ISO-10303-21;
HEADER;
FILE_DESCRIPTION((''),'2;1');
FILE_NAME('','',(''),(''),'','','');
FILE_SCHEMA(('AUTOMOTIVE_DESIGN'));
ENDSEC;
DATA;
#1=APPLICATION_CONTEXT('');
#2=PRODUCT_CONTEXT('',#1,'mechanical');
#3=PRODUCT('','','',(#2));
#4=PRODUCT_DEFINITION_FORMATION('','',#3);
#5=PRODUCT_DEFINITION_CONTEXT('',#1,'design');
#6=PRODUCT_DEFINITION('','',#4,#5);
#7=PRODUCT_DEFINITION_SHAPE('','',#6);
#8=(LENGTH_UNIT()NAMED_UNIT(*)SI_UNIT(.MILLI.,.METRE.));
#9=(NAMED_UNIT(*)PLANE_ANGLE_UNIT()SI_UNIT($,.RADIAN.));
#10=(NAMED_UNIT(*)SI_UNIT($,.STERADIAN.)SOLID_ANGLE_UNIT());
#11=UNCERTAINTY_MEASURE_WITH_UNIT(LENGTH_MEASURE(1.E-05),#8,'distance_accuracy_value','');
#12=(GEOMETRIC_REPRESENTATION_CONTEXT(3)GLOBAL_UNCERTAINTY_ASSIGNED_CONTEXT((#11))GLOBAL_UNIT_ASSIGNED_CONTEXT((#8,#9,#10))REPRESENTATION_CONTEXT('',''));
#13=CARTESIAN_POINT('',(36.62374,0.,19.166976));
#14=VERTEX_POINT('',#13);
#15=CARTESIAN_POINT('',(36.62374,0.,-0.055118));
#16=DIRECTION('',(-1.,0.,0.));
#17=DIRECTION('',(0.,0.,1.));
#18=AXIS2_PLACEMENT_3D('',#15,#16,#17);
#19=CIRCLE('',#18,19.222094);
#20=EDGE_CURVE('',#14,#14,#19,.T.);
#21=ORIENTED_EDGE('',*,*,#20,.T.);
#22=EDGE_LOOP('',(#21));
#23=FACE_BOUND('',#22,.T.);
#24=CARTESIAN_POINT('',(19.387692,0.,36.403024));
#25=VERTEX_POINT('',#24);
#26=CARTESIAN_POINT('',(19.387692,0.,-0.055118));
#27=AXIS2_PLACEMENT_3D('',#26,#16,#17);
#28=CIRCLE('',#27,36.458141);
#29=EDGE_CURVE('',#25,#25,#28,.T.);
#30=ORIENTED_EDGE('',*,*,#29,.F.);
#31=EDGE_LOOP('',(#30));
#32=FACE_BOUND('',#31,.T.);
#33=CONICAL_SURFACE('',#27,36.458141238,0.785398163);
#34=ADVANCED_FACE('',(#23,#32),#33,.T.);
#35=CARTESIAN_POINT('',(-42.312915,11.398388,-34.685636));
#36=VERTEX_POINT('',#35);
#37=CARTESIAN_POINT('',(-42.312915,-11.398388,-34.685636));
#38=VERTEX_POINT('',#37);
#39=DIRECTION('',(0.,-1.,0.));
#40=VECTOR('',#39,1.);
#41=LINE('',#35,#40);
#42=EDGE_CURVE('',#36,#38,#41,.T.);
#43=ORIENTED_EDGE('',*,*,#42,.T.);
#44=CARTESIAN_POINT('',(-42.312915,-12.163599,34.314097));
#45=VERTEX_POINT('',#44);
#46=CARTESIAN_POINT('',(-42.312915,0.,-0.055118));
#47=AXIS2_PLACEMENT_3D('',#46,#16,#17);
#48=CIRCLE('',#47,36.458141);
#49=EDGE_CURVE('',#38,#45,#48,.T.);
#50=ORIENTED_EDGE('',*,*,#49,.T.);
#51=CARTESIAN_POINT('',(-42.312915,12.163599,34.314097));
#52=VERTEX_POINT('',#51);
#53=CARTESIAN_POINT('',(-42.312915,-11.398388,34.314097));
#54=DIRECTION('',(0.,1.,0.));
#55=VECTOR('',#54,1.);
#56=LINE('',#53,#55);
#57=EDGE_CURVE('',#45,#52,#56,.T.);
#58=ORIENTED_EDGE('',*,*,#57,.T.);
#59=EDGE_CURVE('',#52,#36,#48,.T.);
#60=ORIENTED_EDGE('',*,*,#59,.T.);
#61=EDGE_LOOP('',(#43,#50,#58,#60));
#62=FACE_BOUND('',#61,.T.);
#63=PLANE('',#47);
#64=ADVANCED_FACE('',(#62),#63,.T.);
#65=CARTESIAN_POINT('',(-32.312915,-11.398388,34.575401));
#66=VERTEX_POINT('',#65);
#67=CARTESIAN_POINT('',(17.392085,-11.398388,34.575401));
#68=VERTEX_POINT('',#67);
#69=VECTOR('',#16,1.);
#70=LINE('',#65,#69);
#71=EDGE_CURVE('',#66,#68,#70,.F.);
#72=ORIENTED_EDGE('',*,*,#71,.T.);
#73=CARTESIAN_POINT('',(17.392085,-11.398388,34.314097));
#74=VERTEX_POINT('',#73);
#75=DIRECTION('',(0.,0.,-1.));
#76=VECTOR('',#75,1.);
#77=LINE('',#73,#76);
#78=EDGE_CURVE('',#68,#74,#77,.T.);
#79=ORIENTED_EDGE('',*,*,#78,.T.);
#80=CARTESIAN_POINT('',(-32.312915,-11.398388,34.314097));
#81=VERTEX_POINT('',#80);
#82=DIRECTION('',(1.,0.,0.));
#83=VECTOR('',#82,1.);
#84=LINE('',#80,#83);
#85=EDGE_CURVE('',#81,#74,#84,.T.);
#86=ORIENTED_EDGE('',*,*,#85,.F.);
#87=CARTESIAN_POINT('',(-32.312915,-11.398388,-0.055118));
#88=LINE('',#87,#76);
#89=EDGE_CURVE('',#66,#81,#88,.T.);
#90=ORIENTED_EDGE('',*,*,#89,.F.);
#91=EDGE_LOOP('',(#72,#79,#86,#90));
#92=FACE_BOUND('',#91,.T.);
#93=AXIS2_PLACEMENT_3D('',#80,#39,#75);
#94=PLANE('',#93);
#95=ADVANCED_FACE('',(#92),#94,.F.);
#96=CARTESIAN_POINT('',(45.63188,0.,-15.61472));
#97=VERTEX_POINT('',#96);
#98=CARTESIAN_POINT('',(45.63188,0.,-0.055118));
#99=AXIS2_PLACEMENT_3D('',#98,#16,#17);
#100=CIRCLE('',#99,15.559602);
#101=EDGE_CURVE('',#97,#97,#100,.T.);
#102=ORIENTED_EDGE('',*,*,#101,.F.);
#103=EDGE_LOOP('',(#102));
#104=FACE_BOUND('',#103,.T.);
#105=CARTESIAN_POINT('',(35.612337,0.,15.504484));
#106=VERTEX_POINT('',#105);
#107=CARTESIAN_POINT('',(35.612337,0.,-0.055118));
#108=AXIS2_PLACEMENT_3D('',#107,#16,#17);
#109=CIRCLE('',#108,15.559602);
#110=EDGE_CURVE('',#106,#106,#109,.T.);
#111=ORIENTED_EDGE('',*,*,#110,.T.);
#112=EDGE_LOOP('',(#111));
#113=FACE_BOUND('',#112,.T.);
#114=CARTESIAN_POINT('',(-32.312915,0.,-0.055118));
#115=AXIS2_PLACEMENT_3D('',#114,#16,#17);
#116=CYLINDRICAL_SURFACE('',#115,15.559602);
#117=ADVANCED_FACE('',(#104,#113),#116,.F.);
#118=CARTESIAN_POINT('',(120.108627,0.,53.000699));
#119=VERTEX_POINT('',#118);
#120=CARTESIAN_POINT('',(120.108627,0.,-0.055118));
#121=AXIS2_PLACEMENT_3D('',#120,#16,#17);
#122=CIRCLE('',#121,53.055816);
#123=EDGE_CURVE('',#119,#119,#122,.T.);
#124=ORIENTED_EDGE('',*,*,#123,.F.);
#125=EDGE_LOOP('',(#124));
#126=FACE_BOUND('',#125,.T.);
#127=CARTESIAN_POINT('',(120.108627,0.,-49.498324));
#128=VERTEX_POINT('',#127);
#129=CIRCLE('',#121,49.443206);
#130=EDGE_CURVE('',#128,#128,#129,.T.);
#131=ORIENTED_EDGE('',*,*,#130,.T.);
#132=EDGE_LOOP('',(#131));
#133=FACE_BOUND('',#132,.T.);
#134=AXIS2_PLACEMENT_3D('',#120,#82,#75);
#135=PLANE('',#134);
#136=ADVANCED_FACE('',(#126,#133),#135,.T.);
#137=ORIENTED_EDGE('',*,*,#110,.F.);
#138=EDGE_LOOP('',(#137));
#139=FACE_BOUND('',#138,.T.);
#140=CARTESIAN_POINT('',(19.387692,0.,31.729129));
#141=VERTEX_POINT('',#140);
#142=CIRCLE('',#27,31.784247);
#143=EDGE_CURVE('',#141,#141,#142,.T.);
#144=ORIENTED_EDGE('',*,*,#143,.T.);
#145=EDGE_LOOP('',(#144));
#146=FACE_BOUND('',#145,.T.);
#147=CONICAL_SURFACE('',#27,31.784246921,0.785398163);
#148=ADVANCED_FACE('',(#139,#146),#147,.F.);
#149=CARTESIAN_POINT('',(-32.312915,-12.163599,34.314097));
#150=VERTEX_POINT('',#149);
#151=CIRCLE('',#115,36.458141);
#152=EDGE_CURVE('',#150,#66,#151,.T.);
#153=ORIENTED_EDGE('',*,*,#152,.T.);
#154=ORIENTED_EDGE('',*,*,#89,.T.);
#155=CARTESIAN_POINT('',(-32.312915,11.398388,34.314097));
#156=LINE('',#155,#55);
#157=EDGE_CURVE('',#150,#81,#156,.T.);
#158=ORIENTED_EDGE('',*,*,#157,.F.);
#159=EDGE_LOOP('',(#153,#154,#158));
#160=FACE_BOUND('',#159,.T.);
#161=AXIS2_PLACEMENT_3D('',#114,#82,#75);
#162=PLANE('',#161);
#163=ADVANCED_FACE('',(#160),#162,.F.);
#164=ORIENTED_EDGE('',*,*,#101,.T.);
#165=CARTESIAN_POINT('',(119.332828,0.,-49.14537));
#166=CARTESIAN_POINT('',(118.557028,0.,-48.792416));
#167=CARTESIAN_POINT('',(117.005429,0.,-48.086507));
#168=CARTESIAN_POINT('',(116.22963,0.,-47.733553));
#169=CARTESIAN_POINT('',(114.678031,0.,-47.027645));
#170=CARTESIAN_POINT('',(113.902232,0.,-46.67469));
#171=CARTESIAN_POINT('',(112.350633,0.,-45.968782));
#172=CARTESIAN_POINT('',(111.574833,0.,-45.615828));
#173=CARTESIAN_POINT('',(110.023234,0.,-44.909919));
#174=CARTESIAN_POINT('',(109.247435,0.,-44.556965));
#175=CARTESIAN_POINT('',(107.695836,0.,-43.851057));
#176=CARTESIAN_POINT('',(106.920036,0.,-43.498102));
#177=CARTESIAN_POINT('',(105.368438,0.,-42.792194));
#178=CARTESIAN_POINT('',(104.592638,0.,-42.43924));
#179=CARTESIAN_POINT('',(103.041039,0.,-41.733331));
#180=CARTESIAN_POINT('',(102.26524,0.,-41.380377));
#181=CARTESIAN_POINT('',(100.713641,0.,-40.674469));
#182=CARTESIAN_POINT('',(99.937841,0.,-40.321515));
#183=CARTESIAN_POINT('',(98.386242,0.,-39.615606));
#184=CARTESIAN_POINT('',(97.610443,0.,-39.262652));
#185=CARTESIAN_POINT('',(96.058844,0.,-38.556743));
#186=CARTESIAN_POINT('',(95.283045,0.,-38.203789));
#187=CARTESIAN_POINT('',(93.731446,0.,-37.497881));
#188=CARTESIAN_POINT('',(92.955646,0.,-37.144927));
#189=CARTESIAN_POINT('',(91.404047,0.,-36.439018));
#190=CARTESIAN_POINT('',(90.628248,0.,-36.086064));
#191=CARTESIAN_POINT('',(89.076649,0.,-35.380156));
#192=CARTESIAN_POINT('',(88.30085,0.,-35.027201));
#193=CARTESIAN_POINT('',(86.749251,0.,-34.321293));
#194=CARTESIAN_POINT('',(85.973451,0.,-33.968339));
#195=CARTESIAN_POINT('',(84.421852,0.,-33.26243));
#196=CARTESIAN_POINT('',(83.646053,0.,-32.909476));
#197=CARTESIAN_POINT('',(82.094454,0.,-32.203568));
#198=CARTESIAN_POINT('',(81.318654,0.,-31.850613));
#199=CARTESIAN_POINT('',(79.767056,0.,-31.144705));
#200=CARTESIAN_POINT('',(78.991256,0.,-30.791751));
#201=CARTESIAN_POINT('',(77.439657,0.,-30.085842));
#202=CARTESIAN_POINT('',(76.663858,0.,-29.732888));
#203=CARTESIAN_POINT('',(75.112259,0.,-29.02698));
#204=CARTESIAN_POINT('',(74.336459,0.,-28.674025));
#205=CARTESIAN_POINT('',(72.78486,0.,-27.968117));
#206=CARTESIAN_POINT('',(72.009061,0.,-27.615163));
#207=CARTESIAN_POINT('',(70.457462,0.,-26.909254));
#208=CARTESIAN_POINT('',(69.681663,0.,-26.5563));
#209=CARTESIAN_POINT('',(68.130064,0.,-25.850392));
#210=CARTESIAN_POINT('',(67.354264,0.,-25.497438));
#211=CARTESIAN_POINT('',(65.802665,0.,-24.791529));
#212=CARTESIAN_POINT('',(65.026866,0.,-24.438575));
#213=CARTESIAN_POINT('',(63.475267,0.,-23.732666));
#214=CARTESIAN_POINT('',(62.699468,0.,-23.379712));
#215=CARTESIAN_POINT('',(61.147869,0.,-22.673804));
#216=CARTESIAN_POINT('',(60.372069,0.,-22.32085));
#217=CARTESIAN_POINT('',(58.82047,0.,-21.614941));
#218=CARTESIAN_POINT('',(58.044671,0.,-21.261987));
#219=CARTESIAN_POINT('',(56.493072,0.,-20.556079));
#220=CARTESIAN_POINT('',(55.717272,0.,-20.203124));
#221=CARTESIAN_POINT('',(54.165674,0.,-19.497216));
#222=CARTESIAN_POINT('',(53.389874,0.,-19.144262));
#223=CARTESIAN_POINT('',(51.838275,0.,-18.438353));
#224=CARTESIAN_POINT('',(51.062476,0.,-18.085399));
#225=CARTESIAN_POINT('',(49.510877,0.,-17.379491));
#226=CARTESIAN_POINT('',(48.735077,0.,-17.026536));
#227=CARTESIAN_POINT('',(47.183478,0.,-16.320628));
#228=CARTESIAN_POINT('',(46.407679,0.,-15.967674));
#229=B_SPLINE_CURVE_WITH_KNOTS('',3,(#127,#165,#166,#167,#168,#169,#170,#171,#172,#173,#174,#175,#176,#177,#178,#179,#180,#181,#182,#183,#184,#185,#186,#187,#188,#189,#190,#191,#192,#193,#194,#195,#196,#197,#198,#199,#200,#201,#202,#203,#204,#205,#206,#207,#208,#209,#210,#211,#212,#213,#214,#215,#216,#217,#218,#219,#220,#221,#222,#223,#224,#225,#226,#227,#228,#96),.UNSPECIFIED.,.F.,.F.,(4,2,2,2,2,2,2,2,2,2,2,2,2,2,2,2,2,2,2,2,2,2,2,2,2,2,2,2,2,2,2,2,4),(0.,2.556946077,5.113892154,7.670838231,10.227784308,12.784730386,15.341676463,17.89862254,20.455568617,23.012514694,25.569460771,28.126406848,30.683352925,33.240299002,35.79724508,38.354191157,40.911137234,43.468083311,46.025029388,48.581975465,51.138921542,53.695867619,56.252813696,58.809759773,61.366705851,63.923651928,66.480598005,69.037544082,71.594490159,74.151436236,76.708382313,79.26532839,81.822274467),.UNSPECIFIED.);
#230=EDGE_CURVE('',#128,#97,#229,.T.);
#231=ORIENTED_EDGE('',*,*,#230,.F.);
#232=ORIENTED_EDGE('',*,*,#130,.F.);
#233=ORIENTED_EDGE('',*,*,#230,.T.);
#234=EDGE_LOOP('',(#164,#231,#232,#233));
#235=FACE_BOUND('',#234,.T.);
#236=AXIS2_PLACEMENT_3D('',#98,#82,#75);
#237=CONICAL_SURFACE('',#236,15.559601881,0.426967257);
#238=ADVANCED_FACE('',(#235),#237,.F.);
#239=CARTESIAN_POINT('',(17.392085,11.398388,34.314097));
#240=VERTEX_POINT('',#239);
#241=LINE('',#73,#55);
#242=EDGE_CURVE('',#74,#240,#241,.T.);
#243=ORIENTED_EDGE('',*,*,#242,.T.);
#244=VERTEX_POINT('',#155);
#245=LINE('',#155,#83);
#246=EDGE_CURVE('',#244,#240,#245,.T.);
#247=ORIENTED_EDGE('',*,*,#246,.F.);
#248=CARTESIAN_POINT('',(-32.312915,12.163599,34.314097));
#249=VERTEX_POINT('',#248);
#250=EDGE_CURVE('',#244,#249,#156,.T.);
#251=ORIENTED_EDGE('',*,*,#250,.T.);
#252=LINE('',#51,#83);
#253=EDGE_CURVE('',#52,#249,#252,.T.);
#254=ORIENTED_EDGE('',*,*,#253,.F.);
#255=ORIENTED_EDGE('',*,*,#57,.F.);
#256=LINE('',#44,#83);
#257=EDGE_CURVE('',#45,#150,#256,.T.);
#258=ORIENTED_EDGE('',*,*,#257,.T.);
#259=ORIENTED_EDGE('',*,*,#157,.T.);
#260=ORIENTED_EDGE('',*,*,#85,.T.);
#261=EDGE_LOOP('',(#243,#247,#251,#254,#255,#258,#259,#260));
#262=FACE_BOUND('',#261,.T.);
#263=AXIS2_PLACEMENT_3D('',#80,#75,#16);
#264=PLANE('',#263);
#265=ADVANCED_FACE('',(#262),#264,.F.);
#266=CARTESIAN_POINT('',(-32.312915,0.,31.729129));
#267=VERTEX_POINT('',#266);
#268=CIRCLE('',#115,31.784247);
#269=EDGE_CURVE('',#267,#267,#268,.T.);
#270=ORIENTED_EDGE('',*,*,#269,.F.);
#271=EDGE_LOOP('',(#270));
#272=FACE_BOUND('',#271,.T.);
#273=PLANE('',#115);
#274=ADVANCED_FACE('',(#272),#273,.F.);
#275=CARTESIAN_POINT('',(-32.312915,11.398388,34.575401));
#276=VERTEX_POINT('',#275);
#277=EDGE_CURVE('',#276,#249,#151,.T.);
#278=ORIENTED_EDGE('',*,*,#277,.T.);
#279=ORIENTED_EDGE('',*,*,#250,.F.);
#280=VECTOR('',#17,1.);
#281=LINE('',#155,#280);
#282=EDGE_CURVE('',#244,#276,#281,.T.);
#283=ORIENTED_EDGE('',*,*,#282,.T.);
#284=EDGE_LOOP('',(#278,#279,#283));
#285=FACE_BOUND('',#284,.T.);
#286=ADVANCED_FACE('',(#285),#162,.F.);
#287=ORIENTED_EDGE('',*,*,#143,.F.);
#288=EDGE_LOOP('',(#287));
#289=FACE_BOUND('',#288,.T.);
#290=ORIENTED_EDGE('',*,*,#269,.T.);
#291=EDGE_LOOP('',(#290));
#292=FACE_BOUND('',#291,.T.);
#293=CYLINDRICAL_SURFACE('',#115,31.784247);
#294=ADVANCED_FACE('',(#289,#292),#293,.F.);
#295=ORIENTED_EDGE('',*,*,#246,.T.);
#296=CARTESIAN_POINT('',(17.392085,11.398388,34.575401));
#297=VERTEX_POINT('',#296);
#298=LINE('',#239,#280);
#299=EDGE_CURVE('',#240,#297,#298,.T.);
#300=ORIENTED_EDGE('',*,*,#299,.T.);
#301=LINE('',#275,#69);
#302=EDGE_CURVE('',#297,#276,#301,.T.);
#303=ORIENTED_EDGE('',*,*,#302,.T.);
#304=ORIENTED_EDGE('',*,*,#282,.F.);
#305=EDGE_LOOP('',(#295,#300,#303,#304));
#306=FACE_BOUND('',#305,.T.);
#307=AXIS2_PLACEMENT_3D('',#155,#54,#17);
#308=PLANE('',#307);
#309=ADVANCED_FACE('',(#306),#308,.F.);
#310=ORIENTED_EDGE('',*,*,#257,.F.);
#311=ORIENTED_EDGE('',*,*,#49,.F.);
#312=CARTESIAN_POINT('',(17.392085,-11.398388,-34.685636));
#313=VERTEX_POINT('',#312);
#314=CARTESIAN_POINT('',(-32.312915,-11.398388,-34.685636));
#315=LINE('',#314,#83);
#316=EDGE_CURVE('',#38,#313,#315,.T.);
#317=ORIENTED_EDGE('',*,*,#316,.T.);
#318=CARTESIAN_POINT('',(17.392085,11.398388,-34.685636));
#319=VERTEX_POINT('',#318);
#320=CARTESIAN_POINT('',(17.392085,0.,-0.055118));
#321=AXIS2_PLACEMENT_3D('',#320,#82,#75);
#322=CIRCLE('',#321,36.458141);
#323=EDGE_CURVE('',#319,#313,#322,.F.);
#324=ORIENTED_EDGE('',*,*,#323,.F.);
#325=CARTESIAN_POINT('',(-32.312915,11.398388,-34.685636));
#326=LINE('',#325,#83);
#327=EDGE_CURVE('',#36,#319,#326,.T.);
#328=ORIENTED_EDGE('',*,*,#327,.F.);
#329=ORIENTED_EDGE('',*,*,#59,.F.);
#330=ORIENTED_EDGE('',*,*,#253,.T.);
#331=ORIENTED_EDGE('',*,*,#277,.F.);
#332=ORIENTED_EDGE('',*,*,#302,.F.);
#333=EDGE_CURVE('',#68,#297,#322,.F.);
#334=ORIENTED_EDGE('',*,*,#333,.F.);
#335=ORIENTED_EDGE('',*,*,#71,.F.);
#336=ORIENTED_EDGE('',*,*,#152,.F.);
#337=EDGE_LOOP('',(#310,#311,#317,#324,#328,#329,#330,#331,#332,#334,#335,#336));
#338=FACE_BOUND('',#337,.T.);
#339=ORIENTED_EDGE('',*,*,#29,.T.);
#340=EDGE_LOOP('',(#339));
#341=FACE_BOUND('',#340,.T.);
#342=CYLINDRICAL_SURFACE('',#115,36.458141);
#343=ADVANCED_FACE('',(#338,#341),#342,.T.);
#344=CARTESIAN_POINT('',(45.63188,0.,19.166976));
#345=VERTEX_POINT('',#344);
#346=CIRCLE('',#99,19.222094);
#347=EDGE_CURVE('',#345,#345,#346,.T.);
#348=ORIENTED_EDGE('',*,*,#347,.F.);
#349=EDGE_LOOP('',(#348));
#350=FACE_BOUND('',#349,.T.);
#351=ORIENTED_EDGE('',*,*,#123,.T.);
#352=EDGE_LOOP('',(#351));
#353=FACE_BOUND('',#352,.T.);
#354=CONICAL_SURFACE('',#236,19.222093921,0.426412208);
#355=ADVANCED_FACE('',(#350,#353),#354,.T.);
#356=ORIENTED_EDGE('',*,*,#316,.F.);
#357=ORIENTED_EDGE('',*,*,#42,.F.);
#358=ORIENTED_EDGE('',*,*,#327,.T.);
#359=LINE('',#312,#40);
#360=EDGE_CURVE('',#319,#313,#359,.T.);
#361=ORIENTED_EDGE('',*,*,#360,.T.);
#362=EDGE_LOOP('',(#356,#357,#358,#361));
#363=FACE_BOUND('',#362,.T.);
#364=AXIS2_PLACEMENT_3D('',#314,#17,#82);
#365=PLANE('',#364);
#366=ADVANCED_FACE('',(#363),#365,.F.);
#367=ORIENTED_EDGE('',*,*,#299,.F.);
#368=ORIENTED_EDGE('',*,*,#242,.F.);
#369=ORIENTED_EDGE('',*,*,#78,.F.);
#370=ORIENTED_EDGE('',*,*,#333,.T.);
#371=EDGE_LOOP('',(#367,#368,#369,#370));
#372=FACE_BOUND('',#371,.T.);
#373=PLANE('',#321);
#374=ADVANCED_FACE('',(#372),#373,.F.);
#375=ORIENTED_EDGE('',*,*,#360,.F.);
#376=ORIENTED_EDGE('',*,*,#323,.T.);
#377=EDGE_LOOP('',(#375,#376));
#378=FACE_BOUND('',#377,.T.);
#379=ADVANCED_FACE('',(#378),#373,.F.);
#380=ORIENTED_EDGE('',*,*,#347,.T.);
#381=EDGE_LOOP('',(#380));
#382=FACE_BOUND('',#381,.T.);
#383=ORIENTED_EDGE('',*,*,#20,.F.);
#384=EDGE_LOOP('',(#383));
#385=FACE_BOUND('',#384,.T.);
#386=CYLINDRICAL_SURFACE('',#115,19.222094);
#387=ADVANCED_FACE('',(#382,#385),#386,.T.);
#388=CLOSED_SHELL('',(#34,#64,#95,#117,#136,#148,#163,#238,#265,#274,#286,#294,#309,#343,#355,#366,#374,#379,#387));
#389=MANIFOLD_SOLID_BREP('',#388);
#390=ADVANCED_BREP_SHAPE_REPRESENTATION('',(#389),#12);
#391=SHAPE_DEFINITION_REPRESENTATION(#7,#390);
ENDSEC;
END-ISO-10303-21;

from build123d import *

# Parameters (mm, degrees)
SCALE1_SCALE        = 3
SKETCH5_W           = 6.092075514
SKETCH5_H           = 37.994626104
SKETCH5_W_2         = 6.963088047
CUT_EXTRUDE1_DEPTH  = 213.004502745
SCALE2_SCALE        = 0.6
BOSS_EXTRUDE1_DEPTH = 10


with BuildPart() as part:
    # Sketch1 → Revolve1 (revolve)
    with BuildSketch(Plane.XY, mode=Mode.PRIVATE) as revolve1_sk:
        Polygon((84.678634707, 29.475453574), (84.678634707, 27.468448008), (43.302663782, 8.644223267), (37.73625143, 8.644223267), (28.722559742, 17.657914956), (0, 17.657914956), (0, 20.25452291), (28.722559742, 20.25452291), (38.298141584, 10.678941067), (43.302663782, 10.678941067), align=None)
    revolve(revolve1_sk.sketch.rotate(Axis((0, 0, 0), (1, 0, 0)), 90), axis=Axis((0, 0, 0), (1, 0, 0)))


with BuildPart() as part_1:
    # Scale1: scaled about (41.420833763, 0, 0)
    add(part.part.scale(SCALE1_SCALE).moved(Location((-82.841667526, 0, 0))))

    # Sketch5 → Cut-Extrude1 (cut, through all)
    with BuildSketch(Plane(origin=(0, 0, 0), x_dir=(0, 0, -1), z_dir=(1, 0, 0))):
        with Locations((60.76356873, 0)):
            Rectangle(SKETCH5_W, SKETCH5_H)
        with Locations((-60.763568731, 0)):
            Rectangle(SKETCH5_W_2, SKETCH5_H)
    extrude(amount=-CUT_EXTRUDE1_DEPTH, mode=Mode.SUBTRACT)


with BuildPart() as part_2:
    # Scale2: scaled about (43.48021303, 0, -0.13779422)
    add(part_1.part.scale(SCALE2_SCALE).moved(Location((17.392085212, 0, -0.055117688))))

    # Sketch6 → Boss-Extrude1 (add)
    with BuildSketch(Plane.ZY.offset(32.312915304)):
        with BuildLine():
            Line((-34.685636272, 11.398387831), (-34.685636272, -11.398387831))
            ThreePointArc((-34.685636272, -11.398387831), (-0.459415669, -36.455899464), (34.314097136, -12.163598765))
            Line((34.314097136, -12.163598765), (34.314097136, -11.398387831))
            Line((34.314097136, -11.398387831), (34.314097136, 11.398387831))
            Line((34.314097136, 11.398387831), (34.314097136, 12.163598765))
            ThreePointArc((34.314097136, 12.163598765), (-0.459415669, 36.455899464), (-34.685636272, 11.398387831))
        make_face()
    extrude(amount=BOSS_EXTRUDE1_DEPTH)


solid = part_2.part
